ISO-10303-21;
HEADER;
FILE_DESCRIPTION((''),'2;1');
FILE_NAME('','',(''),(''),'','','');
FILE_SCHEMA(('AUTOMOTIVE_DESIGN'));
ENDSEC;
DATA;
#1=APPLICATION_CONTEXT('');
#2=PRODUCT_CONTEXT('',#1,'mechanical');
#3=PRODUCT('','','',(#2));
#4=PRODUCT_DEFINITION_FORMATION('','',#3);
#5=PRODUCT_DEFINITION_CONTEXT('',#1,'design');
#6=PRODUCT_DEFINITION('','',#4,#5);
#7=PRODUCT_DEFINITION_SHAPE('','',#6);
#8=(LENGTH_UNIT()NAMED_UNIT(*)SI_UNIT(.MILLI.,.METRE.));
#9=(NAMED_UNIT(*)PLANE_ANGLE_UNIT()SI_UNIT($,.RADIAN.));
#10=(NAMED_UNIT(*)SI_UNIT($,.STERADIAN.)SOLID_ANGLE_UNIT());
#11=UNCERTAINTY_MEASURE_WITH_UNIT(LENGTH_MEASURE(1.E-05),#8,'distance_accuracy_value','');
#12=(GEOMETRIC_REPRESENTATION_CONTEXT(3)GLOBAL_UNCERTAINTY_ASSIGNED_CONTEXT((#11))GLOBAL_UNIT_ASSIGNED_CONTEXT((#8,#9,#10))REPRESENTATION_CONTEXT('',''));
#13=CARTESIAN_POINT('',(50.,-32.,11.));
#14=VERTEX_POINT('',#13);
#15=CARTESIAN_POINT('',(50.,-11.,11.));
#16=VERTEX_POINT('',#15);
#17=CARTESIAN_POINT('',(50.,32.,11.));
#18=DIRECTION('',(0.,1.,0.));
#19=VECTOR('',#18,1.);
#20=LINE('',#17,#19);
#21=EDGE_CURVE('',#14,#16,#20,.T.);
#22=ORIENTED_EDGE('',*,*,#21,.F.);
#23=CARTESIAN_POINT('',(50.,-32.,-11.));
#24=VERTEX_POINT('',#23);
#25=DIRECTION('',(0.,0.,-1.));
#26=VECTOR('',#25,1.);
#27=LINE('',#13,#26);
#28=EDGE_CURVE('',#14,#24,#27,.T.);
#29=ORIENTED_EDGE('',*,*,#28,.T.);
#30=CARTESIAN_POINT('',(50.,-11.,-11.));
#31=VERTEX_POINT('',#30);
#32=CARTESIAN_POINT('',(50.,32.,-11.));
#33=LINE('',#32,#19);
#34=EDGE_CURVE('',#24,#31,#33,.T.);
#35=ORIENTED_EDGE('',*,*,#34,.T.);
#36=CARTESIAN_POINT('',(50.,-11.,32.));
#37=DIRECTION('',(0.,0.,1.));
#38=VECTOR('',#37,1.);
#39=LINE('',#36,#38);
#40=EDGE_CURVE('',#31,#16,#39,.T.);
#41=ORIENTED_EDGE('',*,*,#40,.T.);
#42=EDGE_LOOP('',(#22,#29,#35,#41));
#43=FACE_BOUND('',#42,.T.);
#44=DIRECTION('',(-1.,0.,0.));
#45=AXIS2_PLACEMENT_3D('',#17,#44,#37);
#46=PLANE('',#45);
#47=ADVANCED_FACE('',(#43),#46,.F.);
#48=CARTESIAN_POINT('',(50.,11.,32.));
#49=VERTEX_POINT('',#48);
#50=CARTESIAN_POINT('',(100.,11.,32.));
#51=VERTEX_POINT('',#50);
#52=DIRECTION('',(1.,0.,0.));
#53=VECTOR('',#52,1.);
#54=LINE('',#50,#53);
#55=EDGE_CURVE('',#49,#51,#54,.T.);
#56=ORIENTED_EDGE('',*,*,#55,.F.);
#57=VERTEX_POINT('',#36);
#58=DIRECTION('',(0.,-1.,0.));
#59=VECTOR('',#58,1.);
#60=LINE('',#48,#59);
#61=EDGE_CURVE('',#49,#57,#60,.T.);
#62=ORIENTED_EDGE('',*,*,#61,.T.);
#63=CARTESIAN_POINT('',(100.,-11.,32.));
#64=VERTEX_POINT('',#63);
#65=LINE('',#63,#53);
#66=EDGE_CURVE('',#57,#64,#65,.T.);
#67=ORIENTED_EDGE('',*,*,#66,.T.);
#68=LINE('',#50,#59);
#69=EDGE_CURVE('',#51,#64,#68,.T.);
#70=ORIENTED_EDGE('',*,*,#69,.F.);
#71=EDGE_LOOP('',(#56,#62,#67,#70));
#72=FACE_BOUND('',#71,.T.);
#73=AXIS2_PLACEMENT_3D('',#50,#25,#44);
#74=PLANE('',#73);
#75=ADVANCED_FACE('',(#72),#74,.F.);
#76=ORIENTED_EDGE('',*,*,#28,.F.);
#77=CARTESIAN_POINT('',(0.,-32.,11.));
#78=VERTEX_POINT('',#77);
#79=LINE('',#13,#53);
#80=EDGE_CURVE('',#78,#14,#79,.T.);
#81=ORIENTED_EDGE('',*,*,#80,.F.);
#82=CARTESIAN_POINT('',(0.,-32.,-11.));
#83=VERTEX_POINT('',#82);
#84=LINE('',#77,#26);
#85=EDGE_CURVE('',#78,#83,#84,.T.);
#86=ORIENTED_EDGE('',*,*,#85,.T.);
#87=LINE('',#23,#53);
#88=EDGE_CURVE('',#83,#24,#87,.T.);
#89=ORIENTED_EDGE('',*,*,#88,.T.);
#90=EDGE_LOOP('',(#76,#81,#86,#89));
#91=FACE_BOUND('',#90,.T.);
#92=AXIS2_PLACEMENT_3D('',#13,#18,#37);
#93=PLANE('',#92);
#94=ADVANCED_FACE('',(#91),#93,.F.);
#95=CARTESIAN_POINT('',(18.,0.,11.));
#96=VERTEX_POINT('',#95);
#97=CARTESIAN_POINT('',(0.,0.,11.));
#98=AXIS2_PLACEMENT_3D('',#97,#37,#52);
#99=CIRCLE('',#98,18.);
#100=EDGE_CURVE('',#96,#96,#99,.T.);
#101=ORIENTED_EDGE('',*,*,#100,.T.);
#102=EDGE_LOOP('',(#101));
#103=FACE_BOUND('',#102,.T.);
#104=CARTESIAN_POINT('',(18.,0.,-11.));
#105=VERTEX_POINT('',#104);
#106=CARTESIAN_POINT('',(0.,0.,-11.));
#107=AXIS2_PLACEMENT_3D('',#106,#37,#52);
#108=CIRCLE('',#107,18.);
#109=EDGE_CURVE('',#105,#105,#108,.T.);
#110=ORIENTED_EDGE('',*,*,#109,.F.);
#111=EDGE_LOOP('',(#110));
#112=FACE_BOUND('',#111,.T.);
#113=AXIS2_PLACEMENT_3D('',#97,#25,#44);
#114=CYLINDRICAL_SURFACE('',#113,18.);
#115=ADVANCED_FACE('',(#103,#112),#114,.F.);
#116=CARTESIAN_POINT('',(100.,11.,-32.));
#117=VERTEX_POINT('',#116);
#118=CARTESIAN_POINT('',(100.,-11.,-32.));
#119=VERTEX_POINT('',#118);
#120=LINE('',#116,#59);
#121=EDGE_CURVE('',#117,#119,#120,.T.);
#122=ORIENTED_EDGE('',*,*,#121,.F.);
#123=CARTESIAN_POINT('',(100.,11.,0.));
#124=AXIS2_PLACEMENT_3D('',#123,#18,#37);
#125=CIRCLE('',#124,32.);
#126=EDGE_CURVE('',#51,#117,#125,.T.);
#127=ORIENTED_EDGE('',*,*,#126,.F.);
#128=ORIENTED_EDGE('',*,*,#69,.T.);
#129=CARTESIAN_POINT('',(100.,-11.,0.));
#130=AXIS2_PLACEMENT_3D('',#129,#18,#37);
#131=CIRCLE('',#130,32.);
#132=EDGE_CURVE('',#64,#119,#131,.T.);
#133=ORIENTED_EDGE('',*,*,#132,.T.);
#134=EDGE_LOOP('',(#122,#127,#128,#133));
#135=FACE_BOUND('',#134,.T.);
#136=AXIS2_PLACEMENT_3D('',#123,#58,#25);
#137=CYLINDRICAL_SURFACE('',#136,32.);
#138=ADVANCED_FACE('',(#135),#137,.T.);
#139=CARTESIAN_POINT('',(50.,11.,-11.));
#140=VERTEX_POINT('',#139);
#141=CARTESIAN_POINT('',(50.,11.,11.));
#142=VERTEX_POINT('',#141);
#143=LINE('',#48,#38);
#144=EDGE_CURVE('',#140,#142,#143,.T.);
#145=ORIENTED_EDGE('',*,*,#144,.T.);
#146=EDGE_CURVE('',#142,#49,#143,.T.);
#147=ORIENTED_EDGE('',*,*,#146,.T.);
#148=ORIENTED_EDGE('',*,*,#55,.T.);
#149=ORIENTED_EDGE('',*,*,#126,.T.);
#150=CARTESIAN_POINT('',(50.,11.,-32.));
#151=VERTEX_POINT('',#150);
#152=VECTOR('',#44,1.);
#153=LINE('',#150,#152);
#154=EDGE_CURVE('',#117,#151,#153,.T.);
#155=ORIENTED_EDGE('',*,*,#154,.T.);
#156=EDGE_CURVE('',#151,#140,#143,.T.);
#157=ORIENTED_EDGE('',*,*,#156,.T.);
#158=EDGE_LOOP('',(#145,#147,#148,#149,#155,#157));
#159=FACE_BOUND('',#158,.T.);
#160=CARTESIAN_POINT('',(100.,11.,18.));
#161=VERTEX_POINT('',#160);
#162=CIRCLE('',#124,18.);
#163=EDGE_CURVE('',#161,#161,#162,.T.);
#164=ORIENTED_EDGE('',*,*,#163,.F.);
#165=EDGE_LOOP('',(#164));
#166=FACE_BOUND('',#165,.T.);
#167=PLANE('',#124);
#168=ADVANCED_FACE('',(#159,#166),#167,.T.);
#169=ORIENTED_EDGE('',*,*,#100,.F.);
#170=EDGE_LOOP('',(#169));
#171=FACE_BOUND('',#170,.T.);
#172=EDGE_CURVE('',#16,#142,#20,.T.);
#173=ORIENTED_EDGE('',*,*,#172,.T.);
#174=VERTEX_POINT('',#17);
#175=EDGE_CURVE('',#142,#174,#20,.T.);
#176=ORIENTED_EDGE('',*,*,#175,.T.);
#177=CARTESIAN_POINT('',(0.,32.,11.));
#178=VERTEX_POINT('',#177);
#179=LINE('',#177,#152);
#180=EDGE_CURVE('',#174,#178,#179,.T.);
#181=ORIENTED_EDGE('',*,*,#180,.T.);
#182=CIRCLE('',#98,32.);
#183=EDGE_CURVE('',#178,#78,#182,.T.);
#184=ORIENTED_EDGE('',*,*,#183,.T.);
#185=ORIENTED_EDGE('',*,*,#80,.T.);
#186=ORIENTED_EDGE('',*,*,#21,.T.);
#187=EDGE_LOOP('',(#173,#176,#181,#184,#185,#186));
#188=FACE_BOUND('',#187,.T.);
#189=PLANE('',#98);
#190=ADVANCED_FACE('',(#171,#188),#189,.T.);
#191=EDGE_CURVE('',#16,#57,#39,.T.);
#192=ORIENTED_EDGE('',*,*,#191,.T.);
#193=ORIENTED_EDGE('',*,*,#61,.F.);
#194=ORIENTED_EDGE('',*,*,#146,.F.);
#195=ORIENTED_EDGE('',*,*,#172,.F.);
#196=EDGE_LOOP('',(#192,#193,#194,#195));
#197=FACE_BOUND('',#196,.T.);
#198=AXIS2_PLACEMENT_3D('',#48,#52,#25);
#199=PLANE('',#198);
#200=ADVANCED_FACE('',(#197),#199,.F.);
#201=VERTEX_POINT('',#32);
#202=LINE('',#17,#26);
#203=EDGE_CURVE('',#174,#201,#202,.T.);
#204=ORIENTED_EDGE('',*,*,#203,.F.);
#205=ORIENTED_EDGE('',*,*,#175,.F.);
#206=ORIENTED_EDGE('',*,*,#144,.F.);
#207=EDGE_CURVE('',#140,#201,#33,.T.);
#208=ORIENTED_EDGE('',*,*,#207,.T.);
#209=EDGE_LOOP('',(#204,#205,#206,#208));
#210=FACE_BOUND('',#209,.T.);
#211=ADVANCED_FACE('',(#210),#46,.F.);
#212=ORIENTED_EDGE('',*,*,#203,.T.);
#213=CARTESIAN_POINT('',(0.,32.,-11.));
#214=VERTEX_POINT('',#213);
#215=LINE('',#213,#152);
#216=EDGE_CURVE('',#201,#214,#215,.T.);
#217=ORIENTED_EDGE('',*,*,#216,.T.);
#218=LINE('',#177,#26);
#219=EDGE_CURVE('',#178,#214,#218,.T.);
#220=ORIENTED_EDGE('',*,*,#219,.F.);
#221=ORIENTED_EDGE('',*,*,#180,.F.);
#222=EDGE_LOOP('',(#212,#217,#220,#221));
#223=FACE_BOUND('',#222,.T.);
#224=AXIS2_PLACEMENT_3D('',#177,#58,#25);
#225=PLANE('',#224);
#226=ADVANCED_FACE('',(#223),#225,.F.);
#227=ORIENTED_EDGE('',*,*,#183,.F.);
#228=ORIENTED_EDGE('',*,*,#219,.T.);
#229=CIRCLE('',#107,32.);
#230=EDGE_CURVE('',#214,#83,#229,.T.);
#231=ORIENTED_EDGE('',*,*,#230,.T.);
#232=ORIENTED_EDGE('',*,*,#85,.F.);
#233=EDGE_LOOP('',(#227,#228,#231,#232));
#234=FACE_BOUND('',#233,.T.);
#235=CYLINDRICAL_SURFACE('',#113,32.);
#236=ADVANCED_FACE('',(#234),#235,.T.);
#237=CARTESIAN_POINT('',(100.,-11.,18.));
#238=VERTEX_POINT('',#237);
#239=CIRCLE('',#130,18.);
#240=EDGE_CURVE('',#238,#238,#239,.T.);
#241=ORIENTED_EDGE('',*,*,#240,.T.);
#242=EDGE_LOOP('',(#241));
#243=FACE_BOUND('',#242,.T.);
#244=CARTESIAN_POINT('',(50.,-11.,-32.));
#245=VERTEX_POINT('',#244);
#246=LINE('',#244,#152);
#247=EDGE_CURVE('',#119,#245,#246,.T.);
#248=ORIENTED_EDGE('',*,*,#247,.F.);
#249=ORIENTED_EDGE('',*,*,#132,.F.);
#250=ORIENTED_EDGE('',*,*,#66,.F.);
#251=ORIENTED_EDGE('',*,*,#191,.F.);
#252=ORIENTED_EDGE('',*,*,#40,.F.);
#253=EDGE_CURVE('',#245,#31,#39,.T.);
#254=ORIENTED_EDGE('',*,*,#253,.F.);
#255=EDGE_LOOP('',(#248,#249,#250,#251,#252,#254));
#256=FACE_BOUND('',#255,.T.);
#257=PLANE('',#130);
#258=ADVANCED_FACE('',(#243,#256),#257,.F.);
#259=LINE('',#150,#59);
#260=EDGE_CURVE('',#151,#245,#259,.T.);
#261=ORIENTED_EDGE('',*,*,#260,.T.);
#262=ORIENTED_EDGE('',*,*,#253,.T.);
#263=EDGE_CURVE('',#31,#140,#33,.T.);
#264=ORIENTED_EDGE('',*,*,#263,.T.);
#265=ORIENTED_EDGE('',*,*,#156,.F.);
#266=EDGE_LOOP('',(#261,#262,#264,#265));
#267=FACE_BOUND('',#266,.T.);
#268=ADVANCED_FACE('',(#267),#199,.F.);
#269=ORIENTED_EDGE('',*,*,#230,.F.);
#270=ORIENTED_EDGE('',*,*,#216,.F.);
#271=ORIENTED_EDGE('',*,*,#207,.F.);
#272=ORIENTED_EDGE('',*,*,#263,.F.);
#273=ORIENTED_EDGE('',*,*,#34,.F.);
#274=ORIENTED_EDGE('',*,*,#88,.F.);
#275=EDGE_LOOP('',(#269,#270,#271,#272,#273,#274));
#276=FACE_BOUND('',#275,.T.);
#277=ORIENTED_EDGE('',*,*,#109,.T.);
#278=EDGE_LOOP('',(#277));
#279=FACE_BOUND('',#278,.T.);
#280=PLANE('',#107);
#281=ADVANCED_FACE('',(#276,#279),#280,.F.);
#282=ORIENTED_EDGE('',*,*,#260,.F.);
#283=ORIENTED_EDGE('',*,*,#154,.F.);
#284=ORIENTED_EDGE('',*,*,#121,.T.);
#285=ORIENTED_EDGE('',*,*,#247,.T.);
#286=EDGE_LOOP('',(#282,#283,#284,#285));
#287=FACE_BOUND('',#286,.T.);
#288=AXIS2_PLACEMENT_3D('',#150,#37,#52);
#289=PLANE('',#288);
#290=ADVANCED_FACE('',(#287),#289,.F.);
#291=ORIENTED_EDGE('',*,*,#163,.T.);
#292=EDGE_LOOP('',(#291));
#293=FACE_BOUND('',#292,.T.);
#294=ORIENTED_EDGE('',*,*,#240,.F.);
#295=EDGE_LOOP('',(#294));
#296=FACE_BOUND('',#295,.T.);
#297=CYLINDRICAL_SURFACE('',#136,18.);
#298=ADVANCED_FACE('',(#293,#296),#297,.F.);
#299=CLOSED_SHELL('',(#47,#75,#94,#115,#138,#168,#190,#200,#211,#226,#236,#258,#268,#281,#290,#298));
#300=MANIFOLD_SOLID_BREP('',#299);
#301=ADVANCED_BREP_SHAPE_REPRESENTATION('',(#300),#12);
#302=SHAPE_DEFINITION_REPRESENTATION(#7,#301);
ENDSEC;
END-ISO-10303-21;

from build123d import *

# Parameters (mm, degrees)
SKETCH1_R           = 18
BOSS_EXTRUDE1_DEPTH = 11
SKETCH2_R           = 18
BOSS_EXTRUDE2_DEPTH = 11


with BuildPart() as part:
    # Sketch1 → Boss-Extrude1 (new, symmetric)
    with BuildSketch(Plane.XY):
        with BuildLine():
            Line((0, 32), (50, 32))
            Line((50, 32), (50, -32))
            Line((50, -32), (0, -32))
            ThreePointArc((0, -32), (-32, 0), (0, 32))
        make_face()
        Circle(SKETCH1_R, mode=Mode.SUBTRACT)
    extrude(amount=BOSS_EXTRUDE1_DEPTH, both=True)

    # Sketch2 → Boss-Extrude2 (add, symmetric)
    with BuildSketch(Plane(origin=(100, 0, 0), x_dir=(-1, 0, 0), z_dir=(0, 1, 0))):
        with BuildLine():
            Line((0, 32), (50, 32))
            Line((50, 32), (50, -32))
            Line((50, -32), (0, -32))
            ThreePointArc((0, -32), (-32, 0), (0, 32))
        make_face()
        with Locations(Location((0, 0, 0), (0, 0, 90))):
            Circle(SKETCH2_R, mode=Mode.SUBTRACT)
    extrude(amount=BOSS_EXTRUDE2_DEPTH, both=True)


solid = part.part
